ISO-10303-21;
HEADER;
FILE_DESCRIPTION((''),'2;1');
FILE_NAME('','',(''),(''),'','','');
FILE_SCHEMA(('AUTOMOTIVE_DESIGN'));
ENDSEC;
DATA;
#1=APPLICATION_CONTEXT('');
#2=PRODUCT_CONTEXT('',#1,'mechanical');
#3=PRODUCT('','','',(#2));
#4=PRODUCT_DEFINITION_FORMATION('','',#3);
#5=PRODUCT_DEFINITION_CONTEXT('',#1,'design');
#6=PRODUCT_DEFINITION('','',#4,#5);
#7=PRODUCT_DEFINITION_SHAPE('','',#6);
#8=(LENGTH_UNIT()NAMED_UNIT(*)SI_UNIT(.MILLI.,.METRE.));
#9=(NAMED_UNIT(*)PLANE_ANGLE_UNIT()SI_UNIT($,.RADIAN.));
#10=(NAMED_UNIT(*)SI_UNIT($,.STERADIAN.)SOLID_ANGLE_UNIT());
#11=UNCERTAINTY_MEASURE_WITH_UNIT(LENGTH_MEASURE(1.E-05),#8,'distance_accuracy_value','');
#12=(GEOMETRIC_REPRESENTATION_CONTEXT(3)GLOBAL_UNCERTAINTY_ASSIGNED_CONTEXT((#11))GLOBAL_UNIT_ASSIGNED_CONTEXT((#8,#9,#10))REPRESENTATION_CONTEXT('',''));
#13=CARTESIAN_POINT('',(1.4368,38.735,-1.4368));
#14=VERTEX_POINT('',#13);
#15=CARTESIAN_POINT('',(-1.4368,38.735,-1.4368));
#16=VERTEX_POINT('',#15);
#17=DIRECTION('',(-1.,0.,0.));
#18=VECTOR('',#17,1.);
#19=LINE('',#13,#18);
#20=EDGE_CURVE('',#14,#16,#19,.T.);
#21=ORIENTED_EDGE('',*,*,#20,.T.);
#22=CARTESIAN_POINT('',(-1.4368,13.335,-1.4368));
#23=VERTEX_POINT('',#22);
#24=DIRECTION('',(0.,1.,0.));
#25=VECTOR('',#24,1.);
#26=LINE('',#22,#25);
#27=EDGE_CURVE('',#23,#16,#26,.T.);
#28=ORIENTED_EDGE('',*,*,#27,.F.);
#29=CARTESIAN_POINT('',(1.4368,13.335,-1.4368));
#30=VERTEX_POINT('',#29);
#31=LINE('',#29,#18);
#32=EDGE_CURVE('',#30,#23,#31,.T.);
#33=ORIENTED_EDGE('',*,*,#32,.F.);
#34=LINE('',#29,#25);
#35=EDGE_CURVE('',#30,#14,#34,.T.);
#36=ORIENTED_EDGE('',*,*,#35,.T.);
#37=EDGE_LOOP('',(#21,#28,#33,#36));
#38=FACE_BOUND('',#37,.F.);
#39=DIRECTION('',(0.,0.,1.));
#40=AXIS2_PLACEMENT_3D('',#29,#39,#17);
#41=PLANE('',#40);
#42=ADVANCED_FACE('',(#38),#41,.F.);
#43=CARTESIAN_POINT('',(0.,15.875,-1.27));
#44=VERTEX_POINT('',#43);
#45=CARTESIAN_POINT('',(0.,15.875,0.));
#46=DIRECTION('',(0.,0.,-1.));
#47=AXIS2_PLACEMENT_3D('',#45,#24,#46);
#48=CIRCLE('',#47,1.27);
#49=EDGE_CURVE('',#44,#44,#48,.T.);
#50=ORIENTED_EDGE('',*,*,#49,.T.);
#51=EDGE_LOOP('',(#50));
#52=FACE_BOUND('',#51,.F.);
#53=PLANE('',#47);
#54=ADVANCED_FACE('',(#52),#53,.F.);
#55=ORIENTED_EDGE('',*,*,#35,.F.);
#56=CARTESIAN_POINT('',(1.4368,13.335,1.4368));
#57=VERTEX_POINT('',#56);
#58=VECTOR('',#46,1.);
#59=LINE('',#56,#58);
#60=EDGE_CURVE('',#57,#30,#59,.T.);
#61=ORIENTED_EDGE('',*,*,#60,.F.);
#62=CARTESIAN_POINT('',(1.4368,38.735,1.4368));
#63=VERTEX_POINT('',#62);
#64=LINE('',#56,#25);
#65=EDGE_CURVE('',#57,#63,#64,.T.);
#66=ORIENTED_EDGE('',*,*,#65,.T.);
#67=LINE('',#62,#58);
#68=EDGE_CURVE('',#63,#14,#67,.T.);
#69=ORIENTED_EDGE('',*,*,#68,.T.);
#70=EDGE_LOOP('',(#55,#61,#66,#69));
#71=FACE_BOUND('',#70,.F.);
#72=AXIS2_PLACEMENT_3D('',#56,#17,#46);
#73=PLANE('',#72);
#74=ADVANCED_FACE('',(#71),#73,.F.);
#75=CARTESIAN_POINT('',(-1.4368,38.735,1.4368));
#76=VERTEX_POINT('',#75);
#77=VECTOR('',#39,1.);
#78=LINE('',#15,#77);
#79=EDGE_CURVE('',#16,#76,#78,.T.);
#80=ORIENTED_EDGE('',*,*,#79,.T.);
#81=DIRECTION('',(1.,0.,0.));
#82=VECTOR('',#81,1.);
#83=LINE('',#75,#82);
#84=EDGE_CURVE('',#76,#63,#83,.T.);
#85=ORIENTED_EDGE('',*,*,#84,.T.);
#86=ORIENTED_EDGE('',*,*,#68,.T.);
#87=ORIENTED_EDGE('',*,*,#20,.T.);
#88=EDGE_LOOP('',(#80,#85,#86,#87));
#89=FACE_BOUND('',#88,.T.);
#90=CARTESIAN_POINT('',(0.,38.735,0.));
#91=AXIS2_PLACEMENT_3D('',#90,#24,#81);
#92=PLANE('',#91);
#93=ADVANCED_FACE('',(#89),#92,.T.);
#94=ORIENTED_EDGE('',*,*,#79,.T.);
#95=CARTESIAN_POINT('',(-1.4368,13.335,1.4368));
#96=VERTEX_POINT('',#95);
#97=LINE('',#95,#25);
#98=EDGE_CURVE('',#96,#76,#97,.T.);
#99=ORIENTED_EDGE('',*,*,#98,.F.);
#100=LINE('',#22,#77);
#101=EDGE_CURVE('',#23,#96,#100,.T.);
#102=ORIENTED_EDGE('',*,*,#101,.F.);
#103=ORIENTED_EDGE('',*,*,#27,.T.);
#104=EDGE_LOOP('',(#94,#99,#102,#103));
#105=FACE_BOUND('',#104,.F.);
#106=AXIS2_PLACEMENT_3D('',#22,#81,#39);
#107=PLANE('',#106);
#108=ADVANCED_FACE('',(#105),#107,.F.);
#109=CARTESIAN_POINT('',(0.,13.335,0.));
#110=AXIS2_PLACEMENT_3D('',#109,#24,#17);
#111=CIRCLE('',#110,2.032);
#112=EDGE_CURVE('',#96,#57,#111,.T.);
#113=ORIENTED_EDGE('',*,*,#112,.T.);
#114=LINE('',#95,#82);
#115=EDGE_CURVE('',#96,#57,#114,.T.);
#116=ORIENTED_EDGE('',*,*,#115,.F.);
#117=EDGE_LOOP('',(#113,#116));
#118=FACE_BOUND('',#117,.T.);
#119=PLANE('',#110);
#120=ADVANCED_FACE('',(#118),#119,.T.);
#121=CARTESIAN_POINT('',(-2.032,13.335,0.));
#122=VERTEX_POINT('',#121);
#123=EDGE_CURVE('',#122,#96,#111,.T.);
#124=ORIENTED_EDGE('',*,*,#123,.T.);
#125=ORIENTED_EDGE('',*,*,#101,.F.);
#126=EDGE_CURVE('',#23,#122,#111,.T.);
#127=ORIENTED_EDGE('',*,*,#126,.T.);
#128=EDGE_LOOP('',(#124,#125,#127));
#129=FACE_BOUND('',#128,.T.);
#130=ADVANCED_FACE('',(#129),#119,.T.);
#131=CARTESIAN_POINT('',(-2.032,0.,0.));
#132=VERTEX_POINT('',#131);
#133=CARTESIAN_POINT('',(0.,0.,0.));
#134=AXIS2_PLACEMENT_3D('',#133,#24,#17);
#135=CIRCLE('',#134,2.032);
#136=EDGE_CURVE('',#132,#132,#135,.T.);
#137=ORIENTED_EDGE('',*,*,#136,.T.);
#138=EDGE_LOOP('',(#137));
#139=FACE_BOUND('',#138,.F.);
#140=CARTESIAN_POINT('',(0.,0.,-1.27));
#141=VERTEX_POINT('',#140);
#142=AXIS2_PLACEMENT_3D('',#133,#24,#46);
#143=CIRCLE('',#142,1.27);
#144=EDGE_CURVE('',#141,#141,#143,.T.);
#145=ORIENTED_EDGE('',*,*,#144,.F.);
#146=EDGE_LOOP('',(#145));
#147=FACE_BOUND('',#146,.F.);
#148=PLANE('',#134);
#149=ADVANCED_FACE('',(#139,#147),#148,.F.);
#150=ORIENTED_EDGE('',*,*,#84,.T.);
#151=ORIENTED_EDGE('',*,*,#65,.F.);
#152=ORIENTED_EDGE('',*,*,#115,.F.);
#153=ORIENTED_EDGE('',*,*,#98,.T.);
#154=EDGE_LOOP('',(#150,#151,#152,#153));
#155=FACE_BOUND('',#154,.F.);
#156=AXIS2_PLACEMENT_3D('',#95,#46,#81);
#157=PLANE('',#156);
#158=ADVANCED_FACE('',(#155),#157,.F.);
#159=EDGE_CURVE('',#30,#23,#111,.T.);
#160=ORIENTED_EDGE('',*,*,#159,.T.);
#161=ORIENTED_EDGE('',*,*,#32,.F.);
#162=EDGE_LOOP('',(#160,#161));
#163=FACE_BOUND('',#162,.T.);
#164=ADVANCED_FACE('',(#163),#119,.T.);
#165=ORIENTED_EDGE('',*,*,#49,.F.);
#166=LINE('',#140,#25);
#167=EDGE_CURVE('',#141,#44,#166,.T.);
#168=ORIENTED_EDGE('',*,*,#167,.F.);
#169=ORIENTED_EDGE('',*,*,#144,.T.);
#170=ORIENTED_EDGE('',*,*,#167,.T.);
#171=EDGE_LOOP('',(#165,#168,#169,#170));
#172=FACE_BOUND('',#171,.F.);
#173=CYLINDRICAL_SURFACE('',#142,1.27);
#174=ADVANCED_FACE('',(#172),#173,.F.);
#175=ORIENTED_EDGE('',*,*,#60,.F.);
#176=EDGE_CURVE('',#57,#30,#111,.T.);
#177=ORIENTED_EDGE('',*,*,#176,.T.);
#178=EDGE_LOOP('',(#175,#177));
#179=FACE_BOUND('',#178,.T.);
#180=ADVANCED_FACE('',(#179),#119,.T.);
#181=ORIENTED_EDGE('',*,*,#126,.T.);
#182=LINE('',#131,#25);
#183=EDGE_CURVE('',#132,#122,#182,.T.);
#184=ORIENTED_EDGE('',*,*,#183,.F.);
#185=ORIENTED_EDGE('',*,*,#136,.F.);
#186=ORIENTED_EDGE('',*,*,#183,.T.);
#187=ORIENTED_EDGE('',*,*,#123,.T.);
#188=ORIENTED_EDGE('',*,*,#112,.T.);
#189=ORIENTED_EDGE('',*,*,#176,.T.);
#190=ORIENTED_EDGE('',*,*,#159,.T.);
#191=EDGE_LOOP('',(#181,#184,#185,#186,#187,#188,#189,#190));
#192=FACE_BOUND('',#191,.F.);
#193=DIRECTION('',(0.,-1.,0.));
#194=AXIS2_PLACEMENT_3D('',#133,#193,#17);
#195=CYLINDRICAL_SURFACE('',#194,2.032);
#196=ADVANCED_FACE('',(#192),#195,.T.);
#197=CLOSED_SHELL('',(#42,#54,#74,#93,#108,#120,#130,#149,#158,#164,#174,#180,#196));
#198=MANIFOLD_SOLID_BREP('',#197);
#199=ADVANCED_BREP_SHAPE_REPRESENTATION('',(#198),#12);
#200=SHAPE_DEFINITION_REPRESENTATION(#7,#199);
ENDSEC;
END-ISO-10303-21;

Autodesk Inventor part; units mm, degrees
ref_plane "YZ Plane" through (0, 0, 0) normal (1, 0, 0) x (0, 1, 0)
ref_plane "XZ Plane" through (0, 0, 0) normal (0, 1, 0) x (-1, 0, 0)
ref_plane "XY Plane" through (0, 0, 0) normal (0, 0, 1) x (1, 0, 0)
sketch "Sketch1" plane through (0, 0, 0) normal (0, 1, 0) x (-1, 0, 0)
  circle A0 centre (0, 0) radius 2.032
  dimension "d0" = 4.064
extrude "Extrusion1" add sketch "Sketch1" along normal blind 13.335
sketch "Sketch2" plane through (0, 13.335, 0) normal (0, 1, 0) x (1, 0, 0)
  circle A0 centre (0, 0) radius 2.032 projected
  line L0 (1.4368, 1.4368) -> (-1.4368, 1.4368)
  line L1 (-1.4368, 1.4368) -> (-1.4368, -1.4368)
  line L2 (-1.4368, -1.4368) -> (1.4368, -1.4368)
  line L3 (1.4368, -1.4368) -> (1.4368, 1.4368)
  line L4 (1.4368, 1.4368) -> (-1.4368, -1.4368) construction
  line L5 (-1.4368, 1.4368) -> (1.4368, -1.4368) construction
extrude "Extrusion2" add sketch "Sketch2" along normal blind 25.4 contours L3 L2 L1 L0
hole "Hole2" at (0, 0, 0) direction (0, 1, 0) diameter 2.54 depth 15.875
properties part number "shaft_adapter"
